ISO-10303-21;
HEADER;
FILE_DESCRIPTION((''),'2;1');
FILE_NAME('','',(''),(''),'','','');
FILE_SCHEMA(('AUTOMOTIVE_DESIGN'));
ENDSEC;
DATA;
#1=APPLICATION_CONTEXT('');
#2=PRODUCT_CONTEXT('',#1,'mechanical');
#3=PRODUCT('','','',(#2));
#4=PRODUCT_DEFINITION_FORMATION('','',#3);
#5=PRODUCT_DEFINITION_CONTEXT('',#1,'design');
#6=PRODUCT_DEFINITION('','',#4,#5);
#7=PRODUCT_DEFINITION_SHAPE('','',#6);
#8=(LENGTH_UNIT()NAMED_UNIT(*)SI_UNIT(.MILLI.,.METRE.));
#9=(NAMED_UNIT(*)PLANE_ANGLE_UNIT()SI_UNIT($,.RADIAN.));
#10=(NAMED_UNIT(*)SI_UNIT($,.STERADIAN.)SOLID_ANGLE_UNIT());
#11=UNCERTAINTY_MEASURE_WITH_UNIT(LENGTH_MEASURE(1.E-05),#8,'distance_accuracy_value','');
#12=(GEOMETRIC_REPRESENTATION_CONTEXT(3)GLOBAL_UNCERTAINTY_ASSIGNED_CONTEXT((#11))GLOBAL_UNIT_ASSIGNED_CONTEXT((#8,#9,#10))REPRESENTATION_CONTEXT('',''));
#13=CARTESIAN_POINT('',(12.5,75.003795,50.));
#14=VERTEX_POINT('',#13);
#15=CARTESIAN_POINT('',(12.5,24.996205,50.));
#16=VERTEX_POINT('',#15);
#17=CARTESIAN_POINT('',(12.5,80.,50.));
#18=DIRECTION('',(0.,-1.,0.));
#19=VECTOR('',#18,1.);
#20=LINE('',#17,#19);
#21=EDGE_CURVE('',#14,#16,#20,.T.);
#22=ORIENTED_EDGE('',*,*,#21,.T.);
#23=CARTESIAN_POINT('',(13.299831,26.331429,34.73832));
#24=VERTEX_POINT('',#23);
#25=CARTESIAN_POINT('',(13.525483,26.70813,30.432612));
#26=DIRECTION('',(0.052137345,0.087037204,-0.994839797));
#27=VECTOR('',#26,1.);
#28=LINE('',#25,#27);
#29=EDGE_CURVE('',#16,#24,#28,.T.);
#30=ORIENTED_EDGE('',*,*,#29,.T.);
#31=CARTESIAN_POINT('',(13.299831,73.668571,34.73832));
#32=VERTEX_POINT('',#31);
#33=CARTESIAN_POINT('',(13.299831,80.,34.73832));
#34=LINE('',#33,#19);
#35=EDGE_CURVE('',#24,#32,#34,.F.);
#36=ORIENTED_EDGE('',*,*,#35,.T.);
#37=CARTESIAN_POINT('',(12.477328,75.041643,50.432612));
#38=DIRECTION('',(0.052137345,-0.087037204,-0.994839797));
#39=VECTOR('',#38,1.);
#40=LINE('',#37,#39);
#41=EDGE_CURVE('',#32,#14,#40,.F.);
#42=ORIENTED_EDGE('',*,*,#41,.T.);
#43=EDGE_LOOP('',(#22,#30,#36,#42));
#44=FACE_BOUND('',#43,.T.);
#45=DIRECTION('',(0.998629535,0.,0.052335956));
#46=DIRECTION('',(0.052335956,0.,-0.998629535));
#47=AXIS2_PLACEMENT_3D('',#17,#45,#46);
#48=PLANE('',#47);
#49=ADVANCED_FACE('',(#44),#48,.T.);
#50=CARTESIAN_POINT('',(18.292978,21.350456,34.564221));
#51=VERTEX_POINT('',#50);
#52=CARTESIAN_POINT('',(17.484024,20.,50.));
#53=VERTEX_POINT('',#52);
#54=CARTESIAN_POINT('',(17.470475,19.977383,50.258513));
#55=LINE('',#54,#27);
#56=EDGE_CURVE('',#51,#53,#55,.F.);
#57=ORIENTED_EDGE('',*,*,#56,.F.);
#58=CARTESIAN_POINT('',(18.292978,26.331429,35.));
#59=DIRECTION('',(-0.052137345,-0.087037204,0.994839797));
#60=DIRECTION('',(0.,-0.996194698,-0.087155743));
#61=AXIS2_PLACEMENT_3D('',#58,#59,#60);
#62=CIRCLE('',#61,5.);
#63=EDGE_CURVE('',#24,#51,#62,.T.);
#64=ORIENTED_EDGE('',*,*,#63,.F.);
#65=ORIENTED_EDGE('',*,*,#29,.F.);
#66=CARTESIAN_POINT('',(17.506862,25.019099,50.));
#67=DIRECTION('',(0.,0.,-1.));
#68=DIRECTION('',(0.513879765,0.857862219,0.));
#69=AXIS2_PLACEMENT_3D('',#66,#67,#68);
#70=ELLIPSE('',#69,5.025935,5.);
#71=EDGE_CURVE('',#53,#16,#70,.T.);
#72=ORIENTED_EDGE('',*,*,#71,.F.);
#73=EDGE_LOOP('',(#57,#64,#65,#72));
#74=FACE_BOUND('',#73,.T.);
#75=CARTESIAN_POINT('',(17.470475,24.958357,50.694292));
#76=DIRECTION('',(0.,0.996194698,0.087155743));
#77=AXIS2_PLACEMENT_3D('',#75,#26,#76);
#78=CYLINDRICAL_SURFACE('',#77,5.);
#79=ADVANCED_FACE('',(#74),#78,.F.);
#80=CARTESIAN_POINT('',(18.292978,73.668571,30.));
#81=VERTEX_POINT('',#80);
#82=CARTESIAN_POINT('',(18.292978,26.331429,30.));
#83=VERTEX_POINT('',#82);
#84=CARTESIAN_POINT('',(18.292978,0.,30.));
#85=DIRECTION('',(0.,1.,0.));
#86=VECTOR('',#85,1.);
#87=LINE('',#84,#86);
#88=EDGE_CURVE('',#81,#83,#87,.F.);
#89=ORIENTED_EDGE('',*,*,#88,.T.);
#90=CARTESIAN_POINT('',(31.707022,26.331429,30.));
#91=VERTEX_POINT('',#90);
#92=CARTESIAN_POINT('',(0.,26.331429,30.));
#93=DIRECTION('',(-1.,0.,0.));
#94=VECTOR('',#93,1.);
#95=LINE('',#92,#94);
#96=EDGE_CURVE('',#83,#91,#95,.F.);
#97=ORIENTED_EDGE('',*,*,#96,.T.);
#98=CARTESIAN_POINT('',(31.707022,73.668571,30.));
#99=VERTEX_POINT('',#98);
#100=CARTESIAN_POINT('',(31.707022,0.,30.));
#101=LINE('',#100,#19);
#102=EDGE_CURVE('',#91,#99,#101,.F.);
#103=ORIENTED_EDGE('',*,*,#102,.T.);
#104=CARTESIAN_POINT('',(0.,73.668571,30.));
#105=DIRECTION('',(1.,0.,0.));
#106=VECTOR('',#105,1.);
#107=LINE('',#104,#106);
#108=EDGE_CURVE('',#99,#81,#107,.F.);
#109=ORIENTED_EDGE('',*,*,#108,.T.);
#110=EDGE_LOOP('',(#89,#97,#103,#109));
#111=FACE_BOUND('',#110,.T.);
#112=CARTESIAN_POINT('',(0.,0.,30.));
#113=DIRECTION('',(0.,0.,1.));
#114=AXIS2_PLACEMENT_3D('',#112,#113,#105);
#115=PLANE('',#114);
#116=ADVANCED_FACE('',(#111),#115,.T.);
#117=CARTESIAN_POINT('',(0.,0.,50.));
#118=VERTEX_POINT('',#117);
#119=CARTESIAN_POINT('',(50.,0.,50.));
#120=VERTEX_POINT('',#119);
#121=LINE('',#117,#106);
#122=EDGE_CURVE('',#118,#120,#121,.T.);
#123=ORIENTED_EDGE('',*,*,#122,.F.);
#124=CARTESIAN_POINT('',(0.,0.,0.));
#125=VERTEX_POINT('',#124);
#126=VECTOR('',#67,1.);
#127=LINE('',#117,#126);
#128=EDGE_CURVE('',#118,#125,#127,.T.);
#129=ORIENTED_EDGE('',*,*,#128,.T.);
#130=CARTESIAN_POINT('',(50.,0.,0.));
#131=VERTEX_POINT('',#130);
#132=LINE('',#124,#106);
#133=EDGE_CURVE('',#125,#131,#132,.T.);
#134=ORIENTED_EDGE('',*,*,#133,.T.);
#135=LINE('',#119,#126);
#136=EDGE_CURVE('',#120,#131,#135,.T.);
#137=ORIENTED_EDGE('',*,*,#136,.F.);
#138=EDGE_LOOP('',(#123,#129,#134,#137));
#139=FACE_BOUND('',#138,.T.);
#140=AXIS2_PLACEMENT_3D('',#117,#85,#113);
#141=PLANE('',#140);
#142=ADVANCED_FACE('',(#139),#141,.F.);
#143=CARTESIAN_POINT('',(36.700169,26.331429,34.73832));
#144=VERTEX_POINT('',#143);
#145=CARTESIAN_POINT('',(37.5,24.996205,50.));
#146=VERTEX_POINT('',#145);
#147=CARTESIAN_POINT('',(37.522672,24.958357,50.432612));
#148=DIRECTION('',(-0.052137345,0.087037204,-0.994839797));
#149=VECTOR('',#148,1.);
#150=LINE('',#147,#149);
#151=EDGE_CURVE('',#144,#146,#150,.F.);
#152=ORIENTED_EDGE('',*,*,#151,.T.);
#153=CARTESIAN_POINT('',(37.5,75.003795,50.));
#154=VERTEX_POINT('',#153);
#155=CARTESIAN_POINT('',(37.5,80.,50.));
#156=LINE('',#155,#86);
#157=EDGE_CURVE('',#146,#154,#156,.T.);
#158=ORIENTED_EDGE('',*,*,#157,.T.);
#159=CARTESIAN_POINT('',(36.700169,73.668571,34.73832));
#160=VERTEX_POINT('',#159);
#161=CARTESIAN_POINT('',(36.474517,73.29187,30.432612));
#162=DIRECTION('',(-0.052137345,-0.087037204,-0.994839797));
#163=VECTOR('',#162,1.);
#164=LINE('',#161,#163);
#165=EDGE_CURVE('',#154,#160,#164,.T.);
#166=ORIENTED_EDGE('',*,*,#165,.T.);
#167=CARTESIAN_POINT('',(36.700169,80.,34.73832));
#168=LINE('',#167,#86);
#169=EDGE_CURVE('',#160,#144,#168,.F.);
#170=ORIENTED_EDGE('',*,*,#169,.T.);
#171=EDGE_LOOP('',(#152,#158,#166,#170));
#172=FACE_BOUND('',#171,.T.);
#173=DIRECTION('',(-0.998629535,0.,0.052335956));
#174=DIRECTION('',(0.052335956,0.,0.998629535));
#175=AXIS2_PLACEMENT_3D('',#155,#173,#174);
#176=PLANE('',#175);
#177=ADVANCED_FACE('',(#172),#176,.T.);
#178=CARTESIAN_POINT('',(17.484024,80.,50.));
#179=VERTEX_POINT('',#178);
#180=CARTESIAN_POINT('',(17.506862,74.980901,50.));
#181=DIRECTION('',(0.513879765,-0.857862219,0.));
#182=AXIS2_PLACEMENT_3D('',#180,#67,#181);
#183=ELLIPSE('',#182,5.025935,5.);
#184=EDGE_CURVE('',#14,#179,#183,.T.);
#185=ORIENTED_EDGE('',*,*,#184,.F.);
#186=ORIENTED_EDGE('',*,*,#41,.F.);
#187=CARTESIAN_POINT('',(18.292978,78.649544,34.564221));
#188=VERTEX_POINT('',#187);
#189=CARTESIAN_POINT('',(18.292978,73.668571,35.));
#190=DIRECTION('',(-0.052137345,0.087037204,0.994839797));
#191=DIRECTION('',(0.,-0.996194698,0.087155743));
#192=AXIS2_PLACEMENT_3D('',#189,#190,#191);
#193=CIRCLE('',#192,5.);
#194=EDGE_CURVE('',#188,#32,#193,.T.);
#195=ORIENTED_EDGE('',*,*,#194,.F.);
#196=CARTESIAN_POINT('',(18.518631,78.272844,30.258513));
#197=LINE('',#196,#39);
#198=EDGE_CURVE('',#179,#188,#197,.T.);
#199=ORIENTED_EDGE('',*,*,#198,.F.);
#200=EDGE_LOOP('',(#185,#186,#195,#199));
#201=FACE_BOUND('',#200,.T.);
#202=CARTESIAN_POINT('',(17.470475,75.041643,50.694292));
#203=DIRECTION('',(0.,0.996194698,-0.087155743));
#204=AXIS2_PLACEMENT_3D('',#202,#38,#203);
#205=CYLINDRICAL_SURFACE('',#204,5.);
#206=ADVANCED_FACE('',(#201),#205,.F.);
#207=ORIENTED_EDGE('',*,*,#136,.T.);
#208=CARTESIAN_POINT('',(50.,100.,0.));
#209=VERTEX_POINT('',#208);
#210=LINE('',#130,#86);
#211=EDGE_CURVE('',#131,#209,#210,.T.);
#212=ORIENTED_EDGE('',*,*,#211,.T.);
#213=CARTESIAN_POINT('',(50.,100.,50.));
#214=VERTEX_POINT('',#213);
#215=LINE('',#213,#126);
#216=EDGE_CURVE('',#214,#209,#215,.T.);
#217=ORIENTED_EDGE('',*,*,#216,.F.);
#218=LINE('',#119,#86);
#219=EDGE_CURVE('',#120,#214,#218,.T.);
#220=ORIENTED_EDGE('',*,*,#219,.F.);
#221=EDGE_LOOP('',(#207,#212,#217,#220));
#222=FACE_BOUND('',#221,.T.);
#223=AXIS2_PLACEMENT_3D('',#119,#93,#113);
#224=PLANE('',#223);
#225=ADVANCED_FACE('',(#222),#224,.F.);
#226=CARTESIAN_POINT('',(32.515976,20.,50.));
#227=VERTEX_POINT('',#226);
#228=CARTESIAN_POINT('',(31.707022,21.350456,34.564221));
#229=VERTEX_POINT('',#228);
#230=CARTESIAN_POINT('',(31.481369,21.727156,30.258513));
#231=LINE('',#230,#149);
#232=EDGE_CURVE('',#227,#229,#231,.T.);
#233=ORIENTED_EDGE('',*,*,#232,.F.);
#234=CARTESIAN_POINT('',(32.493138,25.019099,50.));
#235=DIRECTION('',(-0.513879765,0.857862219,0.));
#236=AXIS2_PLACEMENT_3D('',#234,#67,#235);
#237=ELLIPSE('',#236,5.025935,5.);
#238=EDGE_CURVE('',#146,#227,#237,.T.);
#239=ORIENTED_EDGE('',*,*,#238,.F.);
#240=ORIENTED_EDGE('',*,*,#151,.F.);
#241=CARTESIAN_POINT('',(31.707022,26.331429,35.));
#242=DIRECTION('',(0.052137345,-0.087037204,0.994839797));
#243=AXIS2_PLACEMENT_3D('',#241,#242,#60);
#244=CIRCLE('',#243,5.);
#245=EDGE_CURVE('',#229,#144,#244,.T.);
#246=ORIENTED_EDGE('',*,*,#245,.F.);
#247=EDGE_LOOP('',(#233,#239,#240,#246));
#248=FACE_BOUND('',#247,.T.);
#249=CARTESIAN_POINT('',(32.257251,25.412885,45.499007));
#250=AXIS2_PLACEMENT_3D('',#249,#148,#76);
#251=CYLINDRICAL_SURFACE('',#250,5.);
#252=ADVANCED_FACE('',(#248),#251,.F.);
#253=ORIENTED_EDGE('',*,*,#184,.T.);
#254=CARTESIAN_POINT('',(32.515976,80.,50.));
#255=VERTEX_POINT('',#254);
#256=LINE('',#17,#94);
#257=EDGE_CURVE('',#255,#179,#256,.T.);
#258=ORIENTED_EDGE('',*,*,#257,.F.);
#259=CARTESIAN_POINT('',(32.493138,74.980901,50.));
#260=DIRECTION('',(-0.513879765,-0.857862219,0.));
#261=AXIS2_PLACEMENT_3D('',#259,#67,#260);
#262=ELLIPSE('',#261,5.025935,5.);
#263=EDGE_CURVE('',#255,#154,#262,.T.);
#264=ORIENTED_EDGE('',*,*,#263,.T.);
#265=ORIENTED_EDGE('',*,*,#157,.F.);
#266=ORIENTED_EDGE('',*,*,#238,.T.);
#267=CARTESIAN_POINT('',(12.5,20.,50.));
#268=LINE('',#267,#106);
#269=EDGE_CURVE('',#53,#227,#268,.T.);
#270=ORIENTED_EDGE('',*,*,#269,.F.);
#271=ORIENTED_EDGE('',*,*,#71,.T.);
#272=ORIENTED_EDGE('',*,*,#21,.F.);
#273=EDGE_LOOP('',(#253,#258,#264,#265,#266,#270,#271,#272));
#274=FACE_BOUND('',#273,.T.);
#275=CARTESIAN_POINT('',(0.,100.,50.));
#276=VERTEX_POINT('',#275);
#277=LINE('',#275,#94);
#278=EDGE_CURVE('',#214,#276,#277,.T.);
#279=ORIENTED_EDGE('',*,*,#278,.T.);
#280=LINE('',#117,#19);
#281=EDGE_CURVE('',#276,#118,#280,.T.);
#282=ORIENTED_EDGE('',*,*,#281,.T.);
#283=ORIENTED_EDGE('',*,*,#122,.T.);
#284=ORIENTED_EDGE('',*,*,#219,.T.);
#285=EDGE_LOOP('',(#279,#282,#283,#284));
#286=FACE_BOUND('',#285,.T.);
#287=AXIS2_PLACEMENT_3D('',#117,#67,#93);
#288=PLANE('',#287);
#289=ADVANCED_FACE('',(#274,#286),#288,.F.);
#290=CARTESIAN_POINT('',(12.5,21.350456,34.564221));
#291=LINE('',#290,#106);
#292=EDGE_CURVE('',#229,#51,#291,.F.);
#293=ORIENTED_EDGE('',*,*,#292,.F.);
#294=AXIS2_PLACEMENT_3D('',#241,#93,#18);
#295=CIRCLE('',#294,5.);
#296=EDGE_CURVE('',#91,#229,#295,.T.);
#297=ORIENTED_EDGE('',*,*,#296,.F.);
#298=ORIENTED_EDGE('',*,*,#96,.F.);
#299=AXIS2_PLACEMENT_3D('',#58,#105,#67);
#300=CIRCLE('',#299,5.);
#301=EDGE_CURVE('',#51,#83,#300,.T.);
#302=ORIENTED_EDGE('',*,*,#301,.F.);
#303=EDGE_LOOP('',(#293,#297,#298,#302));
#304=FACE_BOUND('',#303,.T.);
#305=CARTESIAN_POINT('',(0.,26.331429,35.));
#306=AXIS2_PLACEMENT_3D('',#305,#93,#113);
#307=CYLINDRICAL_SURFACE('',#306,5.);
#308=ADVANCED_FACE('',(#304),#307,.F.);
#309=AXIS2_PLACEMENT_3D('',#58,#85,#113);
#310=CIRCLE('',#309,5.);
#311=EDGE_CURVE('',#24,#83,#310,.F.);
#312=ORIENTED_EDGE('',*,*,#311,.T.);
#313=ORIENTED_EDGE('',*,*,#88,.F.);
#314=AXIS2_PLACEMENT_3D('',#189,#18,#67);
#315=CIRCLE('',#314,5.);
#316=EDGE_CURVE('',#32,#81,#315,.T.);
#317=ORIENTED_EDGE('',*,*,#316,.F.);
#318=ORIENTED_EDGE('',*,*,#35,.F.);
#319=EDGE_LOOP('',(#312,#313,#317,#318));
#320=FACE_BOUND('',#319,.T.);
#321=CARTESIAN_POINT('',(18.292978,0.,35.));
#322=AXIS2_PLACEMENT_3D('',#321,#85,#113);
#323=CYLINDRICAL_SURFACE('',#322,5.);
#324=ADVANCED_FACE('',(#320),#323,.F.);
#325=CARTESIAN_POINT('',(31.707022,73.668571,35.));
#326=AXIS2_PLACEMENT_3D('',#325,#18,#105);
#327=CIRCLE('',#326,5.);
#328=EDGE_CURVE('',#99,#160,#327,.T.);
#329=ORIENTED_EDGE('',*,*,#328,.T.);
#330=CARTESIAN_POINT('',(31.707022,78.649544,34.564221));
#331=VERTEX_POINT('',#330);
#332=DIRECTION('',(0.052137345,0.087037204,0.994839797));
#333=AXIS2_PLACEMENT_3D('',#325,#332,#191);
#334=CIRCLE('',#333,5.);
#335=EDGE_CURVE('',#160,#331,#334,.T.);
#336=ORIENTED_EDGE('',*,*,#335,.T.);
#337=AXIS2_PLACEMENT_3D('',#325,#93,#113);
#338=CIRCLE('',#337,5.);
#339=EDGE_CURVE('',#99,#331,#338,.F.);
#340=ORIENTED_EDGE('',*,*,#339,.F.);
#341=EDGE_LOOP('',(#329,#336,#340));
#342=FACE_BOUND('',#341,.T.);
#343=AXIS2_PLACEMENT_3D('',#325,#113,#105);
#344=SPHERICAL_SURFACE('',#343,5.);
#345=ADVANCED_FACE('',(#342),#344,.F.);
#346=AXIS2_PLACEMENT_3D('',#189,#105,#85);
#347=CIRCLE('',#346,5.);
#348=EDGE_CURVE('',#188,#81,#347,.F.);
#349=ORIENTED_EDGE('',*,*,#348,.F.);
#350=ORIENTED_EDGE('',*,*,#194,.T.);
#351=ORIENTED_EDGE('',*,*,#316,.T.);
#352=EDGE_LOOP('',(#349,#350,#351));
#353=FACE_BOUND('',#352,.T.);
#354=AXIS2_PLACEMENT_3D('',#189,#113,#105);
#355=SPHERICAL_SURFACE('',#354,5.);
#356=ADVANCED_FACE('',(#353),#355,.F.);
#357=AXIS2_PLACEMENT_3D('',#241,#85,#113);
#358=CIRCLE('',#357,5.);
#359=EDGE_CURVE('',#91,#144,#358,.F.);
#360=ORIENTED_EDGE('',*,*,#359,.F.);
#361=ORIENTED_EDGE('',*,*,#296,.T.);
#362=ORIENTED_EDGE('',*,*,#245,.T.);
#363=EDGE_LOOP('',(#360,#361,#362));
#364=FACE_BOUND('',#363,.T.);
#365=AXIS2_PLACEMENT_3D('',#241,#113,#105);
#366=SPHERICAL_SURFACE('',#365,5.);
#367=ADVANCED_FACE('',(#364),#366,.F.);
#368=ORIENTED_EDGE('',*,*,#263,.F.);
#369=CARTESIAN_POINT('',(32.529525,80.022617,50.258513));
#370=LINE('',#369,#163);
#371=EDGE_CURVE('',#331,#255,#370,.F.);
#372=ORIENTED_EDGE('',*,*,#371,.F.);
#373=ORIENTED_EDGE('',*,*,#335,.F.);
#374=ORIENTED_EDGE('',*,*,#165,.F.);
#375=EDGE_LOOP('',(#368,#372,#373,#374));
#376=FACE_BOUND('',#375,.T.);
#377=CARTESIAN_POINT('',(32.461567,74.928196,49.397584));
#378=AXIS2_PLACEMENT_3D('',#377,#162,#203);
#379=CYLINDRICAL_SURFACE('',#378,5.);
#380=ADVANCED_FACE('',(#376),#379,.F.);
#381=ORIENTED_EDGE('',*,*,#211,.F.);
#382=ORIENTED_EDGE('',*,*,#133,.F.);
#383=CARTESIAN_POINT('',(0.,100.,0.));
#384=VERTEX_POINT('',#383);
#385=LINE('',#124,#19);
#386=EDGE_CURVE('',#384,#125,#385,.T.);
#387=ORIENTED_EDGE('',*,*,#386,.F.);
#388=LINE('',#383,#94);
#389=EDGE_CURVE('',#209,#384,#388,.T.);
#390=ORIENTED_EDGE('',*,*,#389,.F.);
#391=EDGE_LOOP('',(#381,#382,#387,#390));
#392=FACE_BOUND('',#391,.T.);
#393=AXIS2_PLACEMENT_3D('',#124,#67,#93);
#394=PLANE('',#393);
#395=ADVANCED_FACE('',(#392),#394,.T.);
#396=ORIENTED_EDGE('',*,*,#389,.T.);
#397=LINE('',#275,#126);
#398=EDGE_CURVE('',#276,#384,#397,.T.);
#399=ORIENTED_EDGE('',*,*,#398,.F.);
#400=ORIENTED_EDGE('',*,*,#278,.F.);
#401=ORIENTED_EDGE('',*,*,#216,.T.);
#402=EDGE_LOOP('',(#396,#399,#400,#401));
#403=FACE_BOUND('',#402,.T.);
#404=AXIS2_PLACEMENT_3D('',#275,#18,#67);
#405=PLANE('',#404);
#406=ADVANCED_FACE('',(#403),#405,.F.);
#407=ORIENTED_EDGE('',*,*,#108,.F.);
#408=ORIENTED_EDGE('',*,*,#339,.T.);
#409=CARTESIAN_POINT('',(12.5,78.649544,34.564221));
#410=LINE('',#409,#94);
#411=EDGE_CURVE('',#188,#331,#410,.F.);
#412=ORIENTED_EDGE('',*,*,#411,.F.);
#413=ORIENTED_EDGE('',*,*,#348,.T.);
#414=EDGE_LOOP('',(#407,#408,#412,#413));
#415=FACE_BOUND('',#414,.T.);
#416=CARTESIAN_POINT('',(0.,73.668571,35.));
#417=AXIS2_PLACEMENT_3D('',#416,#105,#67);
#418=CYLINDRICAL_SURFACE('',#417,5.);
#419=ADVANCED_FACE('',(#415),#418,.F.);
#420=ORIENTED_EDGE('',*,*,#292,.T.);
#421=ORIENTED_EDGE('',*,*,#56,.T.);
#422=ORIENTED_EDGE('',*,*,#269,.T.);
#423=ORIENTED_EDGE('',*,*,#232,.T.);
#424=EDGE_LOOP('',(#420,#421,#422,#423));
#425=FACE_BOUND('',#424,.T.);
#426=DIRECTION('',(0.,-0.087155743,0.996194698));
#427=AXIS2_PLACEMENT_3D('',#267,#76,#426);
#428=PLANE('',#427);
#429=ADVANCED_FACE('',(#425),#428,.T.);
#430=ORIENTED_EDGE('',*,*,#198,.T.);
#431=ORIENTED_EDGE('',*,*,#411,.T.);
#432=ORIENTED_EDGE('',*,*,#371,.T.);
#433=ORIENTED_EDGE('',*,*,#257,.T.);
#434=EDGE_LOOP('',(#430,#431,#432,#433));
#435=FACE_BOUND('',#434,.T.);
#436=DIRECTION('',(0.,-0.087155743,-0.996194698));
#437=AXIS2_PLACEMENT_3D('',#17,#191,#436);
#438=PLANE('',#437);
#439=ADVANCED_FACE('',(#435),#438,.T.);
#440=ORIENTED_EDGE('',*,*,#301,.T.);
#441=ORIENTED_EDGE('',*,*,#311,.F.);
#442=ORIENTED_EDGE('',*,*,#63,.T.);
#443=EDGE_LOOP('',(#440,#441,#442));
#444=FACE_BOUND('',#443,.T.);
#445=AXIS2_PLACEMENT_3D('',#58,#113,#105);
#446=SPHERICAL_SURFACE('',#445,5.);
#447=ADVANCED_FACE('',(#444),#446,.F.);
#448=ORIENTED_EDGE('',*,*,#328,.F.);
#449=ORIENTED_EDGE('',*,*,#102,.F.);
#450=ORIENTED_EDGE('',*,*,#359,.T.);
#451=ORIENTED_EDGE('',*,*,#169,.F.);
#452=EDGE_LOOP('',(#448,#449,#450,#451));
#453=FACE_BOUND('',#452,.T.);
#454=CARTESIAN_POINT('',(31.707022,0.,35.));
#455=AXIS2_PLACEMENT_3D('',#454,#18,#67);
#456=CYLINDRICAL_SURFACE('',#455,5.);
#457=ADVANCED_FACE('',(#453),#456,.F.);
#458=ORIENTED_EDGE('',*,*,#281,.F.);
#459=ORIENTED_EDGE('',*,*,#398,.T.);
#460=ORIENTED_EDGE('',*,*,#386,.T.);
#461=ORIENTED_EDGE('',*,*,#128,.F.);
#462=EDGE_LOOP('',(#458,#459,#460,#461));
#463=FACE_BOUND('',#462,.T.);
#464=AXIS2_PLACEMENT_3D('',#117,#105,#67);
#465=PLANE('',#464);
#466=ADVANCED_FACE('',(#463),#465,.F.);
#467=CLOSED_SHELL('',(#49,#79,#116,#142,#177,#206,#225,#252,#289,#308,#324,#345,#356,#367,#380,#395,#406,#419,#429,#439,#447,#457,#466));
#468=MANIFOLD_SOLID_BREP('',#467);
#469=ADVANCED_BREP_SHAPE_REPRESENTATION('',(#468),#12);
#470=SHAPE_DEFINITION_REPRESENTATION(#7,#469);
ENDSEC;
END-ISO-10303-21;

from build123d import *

# Parameters (mm, degrees)
SKIZZE1_W                       = 50
SKIZZE1_H                       = 100
AUFSATZ_LINEAR_AUSTRAGEN1_DEPTH = 50
SKIZZE2_W                       = 25
SKIZZE2_H                       = 60
SCHNITT_LINEAR_AUSTRAGEN1_DEPTH = 20
FORMSCHR_GE1_ANGLE              = 3
FORMSCHR_GE2_ANGLE              = 5
VERRUNDUNG1_R                   = 5


with BuildPart() as part:
    # Skizze1 → Aufsatz-Linear austragen1 (new body)
    with BuildSketch(Plane.XY):
        with Locations((25, 50)):
            Rectangle(SKIZZE1_W, SKIZZE1_H)
    extrude(amount=AUFSATZ_LINEAR_AUSTRAGEN1_DEPTH)

    # Skizze2 → Schnitt-Linear austragen1 (cut)
    with BuildSketch(Plane.XY.offset(50)):
        with Locations((25, 50)):
            Rectangle(SKIZZE2_W, SKIZZE2_H)
    extrude(amount=-SCHNITT_LINEAR_AUSTRAGEN1_DEPTH, mode=Mode.SUBTRACT)

    # Formschräge1
    formschr_ge1_faces = [part.faces().sort_by_distance(p)[0] for p in [
        (37.5, 50, 40),
        (12.5, 50, 40),
    ]]
    draft(formschr_ge1_faces, Plane.XY.offset(50), FORMSCHR_GE1_ANGLE)

    # Formschräge2
    formschr_ge2_faces = [part.faces().sort_by_distance(p)[0] for p in [
        (25, 20, 40.14586985),
        (25, 80, 40.14586985),
    ]]
    draft(formschr_ge2_faces, Plane.XY.offset(50), FORMSCHR_GE2_ANGLE)

    # Verrundung1
    verrundung1_edges = [part.edges().sort_by_distance(p)[0] for p in [
        (13.548155586, 50, 30),
        (13.024077793, 20.874886635, 40),
        (25, 78.250226729, 30),
        (13.024077793, 79.125113365, 40),
        (36.451844414, 50, 30),
        (36.975922207, 79.125113365, 40),
        (25, 21.749773271, 30),
        (36.975922207, 20.874886635, 40),
    ]]
    fillet(verrundung1_edges, radius=VERRUNDUNG1_R)


solid = part.part
